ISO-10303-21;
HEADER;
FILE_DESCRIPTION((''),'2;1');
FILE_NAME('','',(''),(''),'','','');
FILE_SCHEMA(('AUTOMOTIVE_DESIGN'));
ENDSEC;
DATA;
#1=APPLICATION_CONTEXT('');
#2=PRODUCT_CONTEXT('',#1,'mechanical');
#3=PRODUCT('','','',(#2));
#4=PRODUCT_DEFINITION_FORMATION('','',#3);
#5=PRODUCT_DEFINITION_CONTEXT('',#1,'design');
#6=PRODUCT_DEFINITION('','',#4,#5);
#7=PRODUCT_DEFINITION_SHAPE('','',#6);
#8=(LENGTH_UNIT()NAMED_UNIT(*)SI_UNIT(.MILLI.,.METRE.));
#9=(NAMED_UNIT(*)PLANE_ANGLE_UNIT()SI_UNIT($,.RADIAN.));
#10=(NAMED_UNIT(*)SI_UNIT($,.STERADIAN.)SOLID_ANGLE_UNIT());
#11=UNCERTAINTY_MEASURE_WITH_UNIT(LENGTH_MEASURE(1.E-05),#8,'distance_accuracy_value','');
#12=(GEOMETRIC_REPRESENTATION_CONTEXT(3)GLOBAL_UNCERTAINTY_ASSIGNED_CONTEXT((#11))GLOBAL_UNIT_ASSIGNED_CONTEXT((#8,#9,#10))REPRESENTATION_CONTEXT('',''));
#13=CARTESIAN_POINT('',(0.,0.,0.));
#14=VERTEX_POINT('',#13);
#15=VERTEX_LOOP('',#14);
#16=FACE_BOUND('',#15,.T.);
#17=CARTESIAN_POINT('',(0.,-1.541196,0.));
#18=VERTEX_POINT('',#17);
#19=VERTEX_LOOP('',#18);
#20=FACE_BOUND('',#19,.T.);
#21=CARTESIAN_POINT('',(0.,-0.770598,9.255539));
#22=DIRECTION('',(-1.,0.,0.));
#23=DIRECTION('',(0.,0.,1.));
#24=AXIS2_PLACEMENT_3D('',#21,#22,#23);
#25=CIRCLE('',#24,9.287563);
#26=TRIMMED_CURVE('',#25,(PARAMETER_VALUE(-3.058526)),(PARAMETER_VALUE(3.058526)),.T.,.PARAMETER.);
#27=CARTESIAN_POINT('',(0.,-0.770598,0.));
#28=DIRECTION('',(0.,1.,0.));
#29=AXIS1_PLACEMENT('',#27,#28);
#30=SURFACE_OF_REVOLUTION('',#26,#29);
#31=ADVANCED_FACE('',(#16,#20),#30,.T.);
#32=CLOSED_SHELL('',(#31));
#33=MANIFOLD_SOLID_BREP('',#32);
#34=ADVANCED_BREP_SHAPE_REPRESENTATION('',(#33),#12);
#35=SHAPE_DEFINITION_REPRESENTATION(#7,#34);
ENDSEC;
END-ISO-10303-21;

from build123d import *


with BuildPart() as part:
    # Sketch1 one side → Revolve7 (revolve)
    with BuildSketch(Plane.XY):
        with BuildLine():
            ThreePointArc((0, -1.541195548), (9.641170314, -10.050151051), (18.543101552, -0.770597774))
            ThreePointArc((18.543101552, -0.770597774), (9.641170314, 8.508955503), (0, 0))
            Line((0, 0), (0, -1.541195548))
        make_face()
    revolve(axis=Axis((0, 20, 0), (0, -1, 0)))


solid = part.part
